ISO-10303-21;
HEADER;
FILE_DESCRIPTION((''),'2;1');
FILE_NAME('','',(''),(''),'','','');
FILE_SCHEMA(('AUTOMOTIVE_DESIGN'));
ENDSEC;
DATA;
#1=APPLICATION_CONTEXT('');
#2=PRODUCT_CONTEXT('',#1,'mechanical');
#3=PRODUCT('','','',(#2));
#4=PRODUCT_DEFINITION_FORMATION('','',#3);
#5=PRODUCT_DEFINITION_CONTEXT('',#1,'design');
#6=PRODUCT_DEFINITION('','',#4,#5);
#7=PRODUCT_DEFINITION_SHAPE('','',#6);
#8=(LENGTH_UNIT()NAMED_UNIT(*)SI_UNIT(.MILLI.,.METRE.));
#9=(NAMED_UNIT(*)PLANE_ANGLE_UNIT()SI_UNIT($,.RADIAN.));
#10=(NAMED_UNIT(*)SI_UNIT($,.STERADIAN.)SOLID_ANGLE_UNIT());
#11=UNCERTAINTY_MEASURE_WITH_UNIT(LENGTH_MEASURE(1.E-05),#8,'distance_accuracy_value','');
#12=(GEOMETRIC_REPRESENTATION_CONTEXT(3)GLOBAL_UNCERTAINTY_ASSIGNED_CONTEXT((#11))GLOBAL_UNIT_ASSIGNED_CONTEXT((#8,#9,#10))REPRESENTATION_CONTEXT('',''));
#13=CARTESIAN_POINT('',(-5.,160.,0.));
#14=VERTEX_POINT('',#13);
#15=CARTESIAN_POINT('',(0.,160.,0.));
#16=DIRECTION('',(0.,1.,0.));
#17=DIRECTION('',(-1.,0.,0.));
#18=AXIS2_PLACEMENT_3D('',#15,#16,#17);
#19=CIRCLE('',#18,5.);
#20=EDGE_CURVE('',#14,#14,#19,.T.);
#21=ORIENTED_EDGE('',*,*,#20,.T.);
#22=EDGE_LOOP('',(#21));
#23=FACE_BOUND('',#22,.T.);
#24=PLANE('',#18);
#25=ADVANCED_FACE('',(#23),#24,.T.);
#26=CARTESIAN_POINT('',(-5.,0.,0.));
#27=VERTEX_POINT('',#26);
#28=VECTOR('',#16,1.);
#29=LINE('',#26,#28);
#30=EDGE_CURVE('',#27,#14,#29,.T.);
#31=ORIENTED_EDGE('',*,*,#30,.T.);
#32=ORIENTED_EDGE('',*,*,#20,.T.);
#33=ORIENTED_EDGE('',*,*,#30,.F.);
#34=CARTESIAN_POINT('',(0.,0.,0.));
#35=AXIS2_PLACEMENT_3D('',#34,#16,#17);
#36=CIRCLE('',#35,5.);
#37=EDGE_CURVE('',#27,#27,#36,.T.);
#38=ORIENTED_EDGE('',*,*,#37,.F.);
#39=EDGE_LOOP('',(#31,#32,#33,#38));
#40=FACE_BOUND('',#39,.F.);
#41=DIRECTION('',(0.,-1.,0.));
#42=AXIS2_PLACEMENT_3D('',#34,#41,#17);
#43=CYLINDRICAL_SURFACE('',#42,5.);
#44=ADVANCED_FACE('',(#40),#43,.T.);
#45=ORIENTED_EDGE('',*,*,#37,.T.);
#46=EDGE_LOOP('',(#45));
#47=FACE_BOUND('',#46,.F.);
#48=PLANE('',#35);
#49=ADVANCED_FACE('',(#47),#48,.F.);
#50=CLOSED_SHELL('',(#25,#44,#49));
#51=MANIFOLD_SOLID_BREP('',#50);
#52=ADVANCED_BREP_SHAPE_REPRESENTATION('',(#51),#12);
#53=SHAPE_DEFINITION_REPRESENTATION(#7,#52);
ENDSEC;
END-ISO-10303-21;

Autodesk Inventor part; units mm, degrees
ref_plane "YZ Plane" through (0, 0, 0) normal (1, 0, 0) x (0, 1, 0)
ref_plane "XZ Plane" through (0, 0, 0) normal (0, 1, 0) x (-1, 0, 0)
ref_plane "XY Plane" through (0, 0, 0) normal (0, 0, 1) x (1, 0, 0)
sketch "Boceto1" plane through (0, 0, 0) normal (0, 1, 0) x (-1, 0, 0)
  circle A0 centre (0, 0) radius 5
  dimension "d0" = 10
extrude "Extrusión1" add sketch "Boceto1" along normal blind 160
equation "\"d0\" = 10 * scale"
equation "\"d1\" = 160 * scale"
equation "\"scale\" = 1"
properties part number "Varilla"
